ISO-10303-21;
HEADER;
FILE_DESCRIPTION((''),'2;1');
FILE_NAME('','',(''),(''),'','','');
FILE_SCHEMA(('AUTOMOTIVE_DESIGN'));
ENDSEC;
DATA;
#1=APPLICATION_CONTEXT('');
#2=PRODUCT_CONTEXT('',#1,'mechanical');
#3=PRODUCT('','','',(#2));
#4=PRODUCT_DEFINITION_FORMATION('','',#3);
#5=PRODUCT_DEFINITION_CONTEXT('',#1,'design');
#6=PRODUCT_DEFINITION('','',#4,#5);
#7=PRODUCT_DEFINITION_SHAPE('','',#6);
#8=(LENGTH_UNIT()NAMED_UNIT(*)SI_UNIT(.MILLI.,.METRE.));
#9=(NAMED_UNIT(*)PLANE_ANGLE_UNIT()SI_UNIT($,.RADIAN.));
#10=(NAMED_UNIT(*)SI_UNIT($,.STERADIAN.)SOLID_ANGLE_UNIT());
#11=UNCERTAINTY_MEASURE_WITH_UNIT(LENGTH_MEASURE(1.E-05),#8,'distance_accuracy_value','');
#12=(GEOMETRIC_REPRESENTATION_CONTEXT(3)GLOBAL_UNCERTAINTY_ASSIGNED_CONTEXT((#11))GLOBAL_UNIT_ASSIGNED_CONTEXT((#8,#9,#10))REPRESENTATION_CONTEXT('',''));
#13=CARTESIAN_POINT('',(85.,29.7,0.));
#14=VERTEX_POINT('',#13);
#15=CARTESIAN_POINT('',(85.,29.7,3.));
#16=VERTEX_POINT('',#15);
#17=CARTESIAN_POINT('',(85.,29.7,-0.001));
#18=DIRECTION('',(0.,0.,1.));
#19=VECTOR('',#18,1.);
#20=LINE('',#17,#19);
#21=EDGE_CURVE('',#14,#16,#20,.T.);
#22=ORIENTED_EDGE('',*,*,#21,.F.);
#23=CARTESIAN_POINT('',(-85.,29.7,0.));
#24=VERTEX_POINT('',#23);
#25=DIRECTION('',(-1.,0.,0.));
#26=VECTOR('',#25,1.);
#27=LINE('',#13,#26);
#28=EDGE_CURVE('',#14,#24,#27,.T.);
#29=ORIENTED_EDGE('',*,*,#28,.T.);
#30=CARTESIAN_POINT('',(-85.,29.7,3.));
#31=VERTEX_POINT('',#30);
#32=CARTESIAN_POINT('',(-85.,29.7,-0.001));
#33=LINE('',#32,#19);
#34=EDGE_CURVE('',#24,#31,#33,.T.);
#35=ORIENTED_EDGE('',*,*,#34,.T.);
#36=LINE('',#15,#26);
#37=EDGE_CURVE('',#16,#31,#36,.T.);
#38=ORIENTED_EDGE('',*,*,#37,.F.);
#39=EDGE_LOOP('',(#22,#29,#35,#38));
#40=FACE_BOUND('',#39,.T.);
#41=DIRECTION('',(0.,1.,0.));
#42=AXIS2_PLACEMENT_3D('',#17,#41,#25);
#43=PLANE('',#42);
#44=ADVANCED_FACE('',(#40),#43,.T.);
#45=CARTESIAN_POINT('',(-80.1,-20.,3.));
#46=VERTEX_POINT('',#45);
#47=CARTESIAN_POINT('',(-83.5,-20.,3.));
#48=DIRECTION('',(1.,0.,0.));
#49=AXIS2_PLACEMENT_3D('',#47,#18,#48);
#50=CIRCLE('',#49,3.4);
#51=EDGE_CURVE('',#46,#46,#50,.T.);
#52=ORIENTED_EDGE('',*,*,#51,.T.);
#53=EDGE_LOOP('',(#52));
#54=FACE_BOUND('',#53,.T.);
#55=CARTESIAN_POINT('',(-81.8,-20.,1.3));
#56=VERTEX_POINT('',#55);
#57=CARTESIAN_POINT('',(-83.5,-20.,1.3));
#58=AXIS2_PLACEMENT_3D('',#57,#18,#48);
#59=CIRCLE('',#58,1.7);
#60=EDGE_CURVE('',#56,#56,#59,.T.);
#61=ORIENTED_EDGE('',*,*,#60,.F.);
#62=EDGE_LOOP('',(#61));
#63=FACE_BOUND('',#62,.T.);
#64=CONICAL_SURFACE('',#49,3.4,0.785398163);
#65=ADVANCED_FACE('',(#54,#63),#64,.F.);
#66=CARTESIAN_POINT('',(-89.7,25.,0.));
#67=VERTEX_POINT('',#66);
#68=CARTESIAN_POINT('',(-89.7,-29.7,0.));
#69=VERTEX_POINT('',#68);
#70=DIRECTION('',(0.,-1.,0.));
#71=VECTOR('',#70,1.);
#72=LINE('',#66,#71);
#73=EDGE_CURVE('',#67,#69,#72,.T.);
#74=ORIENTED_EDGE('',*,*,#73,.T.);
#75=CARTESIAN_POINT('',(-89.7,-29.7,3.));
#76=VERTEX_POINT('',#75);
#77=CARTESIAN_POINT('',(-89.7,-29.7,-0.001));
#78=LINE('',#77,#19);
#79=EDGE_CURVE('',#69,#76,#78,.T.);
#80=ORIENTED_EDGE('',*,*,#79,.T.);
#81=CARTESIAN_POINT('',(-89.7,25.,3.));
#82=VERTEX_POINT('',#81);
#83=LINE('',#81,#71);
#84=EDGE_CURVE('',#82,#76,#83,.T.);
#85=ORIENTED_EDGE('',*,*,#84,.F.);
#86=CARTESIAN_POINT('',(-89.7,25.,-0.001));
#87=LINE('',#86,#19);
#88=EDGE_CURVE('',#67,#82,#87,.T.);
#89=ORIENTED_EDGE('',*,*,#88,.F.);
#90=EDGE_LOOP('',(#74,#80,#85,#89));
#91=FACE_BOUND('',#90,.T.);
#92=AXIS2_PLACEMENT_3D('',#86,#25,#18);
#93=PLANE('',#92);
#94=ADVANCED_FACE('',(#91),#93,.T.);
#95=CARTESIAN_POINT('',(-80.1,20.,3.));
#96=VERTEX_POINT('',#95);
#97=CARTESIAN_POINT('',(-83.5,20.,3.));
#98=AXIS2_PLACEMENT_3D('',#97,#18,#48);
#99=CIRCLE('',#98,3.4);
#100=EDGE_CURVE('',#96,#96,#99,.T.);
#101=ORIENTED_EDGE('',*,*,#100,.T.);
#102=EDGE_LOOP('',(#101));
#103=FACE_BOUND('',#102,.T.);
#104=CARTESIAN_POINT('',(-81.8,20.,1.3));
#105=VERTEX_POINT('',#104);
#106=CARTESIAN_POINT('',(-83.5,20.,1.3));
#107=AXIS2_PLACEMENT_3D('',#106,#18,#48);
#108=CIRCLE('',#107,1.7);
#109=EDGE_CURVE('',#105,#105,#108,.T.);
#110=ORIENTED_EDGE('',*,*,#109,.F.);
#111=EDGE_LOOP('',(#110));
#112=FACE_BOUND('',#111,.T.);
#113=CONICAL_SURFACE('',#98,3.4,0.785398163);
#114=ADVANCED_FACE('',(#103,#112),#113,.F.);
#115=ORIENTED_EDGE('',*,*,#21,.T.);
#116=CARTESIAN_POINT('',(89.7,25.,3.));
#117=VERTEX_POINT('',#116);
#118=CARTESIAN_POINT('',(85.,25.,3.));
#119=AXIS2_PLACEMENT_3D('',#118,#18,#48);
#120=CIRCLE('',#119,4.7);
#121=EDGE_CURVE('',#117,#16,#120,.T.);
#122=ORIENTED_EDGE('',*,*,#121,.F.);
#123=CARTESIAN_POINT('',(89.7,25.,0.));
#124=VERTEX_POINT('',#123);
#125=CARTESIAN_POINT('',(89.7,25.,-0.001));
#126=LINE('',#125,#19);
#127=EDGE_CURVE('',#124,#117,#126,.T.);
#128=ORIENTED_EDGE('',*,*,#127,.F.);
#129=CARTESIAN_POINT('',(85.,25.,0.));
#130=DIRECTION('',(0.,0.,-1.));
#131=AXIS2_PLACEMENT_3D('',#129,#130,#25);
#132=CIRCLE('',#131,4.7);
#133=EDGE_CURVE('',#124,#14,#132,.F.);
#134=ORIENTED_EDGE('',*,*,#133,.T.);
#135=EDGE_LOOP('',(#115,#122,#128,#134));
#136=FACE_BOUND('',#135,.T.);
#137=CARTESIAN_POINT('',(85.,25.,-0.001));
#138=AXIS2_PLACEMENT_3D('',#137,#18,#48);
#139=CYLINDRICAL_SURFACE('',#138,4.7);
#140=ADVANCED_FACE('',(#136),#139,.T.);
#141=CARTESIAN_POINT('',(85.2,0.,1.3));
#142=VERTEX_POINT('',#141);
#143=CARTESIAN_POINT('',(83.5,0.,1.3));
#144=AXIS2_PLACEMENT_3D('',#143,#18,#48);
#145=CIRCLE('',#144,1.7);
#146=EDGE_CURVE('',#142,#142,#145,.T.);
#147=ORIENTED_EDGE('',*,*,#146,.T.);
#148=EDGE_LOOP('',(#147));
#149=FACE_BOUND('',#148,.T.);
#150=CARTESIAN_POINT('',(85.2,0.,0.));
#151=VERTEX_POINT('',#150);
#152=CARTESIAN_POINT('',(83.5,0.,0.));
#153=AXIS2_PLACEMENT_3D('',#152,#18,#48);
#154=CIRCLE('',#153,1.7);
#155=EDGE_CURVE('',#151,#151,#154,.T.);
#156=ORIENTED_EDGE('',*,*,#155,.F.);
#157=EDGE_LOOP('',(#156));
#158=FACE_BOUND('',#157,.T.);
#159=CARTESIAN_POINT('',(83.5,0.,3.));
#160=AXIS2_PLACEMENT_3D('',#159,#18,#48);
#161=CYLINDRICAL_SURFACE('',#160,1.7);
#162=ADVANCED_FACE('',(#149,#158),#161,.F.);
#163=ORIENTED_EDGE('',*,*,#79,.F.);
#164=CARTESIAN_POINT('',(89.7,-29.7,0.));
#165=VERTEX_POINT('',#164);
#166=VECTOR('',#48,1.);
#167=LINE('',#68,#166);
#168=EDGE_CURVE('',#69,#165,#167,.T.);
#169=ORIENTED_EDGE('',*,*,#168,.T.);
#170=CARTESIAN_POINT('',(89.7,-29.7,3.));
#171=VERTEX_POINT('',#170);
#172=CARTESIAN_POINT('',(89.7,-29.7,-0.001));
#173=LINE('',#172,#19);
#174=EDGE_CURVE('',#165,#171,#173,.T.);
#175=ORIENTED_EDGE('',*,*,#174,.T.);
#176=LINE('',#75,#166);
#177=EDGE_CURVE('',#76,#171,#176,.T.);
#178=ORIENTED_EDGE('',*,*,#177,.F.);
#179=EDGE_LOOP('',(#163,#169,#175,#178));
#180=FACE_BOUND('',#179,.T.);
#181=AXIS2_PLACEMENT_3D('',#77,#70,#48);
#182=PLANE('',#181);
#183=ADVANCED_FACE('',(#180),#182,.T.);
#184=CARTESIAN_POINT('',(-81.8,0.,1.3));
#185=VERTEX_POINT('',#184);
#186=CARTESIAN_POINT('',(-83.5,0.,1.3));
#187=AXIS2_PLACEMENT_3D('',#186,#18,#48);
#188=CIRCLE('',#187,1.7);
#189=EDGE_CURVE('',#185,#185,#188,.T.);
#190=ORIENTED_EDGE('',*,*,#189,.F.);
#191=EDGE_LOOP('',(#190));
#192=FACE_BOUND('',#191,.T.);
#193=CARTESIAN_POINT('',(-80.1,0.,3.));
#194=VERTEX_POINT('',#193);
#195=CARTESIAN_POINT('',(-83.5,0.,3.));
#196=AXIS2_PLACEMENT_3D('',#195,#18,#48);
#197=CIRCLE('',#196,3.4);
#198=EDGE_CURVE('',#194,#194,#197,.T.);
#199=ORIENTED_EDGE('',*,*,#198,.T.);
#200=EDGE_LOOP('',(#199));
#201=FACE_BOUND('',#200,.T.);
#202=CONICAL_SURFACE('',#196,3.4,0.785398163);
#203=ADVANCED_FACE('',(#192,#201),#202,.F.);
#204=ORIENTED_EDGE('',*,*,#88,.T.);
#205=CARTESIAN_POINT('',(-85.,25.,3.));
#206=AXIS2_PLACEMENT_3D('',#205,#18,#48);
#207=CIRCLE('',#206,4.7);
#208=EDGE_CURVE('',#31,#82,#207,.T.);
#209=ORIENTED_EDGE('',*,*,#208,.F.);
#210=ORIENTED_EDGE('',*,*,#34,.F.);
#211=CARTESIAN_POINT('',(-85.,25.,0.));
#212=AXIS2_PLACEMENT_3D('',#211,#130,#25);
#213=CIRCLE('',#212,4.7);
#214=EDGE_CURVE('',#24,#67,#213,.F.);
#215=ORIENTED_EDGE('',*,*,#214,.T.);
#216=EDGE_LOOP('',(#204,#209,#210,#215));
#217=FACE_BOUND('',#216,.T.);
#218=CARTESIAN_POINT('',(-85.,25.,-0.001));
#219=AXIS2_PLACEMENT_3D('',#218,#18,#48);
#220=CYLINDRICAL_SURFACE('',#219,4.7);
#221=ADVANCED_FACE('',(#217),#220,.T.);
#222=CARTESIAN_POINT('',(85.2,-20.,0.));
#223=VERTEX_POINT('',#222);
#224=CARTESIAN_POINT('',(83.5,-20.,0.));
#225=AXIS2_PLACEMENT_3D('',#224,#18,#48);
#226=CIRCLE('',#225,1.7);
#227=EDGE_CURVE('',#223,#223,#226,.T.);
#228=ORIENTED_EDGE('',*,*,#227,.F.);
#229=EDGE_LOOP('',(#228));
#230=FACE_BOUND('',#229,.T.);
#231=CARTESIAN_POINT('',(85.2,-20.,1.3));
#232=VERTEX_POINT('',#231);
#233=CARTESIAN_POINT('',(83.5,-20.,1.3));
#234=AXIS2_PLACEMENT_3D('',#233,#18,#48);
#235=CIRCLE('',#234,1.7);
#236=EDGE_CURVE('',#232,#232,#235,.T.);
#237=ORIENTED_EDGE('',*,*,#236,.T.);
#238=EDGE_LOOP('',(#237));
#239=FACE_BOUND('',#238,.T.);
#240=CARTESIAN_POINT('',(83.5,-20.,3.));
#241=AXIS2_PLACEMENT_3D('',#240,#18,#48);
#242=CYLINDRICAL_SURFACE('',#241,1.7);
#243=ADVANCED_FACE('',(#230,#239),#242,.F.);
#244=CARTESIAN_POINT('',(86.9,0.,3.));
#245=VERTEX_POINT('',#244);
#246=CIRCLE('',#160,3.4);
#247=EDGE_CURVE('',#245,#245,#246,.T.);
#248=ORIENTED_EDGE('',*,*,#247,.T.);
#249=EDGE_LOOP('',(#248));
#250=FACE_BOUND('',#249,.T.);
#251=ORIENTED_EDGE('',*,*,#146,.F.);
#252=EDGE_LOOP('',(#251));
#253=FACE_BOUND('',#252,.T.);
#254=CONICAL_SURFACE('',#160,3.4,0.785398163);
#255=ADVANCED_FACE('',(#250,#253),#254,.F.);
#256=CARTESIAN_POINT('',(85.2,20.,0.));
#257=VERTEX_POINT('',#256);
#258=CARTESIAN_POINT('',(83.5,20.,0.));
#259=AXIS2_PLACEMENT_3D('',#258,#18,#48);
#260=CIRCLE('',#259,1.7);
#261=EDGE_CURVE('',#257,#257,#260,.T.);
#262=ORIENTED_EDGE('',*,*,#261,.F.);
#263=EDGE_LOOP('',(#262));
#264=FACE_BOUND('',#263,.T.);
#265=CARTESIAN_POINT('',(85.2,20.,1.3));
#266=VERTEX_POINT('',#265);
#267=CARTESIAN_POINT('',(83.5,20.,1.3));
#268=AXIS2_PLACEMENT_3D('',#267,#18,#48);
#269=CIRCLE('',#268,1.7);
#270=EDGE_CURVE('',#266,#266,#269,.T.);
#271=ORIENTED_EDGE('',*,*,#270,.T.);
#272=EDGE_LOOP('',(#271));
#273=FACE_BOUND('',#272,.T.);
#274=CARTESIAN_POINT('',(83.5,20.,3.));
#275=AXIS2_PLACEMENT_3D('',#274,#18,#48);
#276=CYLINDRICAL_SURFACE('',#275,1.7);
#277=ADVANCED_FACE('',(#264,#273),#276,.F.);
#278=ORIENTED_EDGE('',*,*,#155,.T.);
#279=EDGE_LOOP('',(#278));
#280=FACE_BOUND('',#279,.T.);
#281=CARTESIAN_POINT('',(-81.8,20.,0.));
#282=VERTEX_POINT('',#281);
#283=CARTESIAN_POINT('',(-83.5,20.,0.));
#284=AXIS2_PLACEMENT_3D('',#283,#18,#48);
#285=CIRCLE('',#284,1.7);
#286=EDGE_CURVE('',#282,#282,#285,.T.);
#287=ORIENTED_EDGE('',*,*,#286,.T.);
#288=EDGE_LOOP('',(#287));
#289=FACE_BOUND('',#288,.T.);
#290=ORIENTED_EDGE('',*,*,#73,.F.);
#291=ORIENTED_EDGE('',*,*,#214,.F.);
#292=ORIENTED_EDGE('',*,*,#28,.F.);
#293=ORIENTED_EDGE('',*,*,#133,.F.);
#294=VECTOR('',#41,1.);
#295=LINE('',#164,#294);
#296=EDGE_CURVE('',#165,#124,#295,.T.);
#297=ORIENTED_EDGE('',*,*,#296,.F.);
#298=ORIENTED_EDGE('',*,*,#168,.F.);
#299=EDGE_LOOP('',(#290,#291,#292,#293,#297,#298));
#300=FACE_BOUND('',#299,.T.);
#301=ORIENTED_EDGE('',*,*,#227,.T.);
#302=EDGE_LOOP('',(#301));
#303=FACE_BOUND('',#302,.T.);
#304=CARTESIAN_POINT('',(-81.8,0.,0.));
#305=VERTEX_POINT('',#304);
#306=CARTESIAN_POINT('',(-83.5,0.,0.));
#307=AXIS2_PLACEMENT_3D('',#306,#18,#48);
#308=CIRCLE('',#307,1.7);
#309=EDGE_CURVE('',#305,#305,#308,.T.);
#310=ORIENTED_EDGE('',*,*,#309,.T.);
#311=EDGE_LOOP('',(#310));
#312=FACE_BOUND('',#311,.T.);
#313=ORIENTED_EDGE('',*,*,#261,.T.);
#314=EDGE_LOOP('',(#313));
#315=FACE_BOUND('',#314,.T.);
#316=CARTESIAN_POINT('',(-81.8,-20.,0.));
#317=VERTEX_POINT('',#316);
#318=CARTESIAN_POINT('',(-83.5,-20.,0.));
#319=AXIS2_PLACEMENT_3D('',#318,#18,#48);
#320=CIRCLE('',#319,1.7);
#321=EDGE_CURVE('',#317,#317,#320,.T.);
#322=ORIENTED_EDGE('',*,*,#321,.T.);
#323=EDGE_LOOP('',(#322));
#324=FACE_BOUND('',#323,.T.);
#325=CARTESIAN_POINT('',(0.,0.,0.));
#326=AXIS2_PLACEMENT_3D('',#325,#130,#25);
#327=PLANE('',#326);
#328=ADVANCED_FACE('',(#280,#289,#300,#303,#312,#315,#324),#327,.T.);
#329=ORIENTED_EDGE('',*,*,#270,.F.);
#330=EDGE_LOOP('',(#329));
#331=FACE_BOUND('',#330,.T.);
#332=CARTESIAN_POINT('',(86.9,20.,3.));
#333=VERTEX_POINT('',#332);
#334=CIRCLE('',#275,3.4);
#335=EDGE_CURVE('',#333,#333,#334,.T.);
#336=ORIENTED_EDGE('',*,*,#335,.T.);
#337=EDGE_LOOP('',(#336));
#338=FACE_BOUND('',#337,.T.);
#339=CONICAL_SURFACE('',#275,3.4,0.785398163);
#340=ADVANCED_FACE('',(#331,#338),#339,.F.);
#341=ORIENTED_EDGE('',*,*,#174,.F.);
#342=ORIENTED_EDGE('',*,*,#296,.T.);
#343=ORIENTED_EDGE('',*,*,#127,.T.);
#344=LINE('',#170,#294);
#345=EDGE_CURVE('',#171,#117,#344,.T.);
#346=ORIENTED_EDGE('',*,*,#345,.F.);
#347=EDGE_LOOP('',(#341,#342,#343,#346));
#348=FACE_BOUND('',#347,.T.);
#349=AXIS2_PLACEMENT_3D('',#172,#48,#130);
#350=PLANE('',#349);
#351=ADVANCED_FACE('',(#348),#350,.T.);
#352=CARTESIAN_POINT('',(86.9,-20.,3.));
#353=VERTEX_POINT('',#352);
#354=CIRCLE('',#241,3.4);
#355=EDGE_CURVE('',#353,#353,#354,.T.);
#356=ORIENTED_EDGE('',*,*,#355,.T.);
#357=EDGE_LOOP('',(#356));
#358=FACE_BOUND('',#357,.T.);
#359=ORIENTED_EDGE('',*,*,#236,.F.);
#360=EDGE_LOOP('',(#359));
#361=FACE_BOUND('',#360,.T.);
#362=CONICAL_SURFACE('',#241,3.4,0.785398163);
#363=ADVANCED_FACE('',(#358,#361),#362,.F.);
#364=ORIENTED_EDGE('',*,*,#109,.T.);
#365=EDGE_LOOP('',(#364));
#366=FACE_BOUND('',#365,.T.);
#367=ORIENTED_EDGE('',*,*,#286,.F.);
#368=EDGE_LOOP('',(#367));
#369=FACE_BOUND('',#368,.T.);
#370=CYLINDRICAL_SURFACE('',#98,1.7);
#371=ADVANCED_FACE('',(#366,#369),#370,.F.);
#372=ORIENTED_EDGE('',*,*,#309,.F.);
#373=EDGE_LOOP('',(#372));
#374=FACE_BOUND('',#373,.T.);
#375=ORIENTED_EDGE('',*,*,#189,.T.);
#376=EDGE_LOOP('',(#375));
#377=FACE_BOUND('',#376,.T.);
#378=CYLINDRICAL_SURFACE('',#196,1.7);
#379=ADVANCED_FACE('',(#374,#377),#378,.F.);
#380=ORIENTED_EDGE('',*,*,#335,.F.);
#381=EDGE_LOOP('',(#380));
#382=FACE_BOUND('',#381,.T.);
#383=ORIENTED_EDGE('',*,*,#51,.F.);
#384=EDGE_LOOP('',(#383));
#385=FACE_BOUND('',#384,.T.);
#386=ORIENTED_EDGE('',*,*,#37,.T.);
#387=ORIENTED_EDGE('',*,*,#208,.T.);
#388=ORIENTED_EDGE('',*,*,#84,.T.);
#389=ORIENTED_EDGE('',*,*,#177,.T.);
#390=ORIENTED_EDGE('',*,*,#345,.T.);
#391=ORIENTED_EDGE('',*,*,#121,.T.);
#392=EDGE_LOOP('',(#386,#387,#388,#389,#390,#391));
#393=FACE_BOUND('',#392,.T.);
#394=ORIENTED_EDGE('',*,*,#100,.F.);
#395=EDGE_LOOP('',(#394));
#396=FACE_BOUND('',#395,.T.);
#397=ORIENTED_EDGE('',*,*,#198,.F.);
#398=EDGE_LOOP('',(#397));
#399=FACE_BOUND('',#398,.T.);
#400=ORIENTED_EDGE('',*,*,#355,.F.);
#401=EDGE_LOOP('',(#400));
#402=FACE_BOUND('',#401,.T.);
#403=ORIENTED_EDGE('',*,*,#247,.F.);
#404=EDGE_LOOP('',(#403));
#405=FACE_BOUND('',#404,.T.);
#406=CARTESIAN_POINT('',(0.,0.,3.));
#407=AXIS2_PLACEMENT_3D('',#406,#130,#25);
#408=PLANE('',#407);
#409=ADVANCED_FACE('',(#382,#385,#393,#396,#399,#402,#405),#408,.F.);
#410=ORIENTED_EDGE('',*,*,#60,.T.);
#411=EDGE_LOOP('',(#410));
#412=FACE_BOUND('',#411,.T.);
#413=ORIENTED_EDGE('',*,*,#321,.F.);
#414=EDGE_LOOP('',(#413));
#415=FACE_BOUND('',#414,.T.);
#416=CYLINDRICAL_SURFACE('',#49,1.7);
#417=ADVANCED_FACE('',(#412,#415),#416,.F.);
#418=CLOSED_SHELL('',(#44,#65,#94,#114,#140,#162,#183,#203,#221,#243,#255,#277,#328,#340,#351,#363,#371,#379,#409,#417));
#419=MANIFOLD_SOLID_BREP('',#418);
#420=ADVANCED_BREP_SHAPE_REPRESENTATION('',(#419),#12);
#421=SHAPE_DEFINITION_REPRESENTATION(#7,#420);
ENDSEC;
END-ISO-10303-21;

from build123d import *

# Parameters (mm, degrees)
SKETCH1_W                                      = 180
SKETCH1_H                                      = 60
BOSS_EXTRUDE1_DEPTH                            = 3
FILLET1_R                                      = 5
CSK_FOR_M3_FLAT_HEAD_MACHINE_SCREW1_AT_2_COUNT = 2
CSK_FOR_M3_FLAT_HEAD_MACHINE_SCREW1_AT_2_PITCH = 20
CSK_FOR_M3_FLAT_HEAD_MACHINE_SCREW1_AT_3_COUNT = 2
CSK_FOR_M3_FLAT_HEAD_MACHINE_SCREW1_AT_3_PITCH = 40
CSK_FOR_M3_FLAT_HEAD_MACHINE_SCREW1_AT_4_COUNT = 2
CSK_FOR_M3_FLAT_HEAD_MACHINE_SCREW1_AT_4_PITCH = 167
CSK_FOR_M3_FLAT_HEAD_MACHINE_SCREW1_AT_5_COUNT = 2
CSK_FOR_M3_FLAT_HEAD_MACHINE_SCREW1_AT_5_PITCH = 168.193341129
CSK_FOR_M3_FLAT_HEAD_MACHINE_SCREW1_AT_6_COUNT = 2
CSK_FOR_M3_FLAT_HEAD_MACHINE_SCREW1_AT_6_PITCH = 171.723615149
CUT_EXTRUDE1_REACH                             = 96.916


with BuildPart() as part:
    # Sketch1 → Boss-Extrude1 (new body)
    with BuildSketch(Plane.XY):
        Rectangle(SKETCH1_W, SKETCH1_H)
    extrude(amount=BOSS_EXTRUDE1_DEPTH)

    # Fillet1
    fillet1_edges = [part.edges().sort_by_distance(p)[0] for p in [
        (-90, 30, 1.5),
        (90, 30, 1.5),
    ]]
    fillet(fillet1_edges, radius=FILLET1_R)

    # Sketch3 → CSK for M3 Flat Head Machine Screw1 (revolve, cut)
    with BuildSketch(Plane(origin=(-83.5, 20, 3), x_dir=(0, -1, 0), z_dir=(1, 0, 0))):
        Polygon((0, 0), (0, 3), (1.7, 3), (1.7, 1.7), (3.4, 0), align=None)
    csk_for_m3_flat_head_machine_screw1 = revolve(axis=Axis((-83.5, 20, 9.35), (0, 0, -1)), mode=Mode.SUBTRACT)

    # CSK for M3 Flat Head Machine Screw1 at 2: CSK for M3 Flat Head Machine Screw1 ×2
    with Locations(*[(0, -i * CSK_FOR_M3_FLAT_HEAD_MACHINE_SCREW1_AT_2_PITCH, 0) for i in range(1, CSK_FOR_M3_FLAT_HEAD_MACHINE_SCREW1_AT_2_COUNT)]):
        add(csk_for_m3_flat_head_machine_screw1, mode=Mode.SUBTRACT)

    # CSK for M3 Flat Head Machine Screw1 at 3: CSK for M3 Flat Head Machine Screw1 ×2
    with Locations(*[(0, -i * CSK_FOR_M3_FLAT_HEAD_MACHINE_SCREW1_AT_3_PITCH, 0) for i in range(1, CSK_FOR_M3_FLAT_HEAD_MACHINE_SCREW1_AT_3_COUNT)]):
        add(csk_for_m3_flat_head_machine_screw1, mode=Mode.SUBTRACT)

    # CSK for M3 Flat Head Machine Screw1 at 4: CSK for M3 Flat Head Machine Screw1 ×2
    with Locations(*[(i * CSK_FOR_M3_FLAT_HEAD_MACHINE_SCREW1_AT_4_PITCH, 0, 0) for i in range(1, CSK_FOR_M3_FLAT_HEAD_MACHINE_SCREW1_AT_4_COUNT)]):
        add(csk_for_m3_flat_head_machine_screw1, mode=Mode.SUBTRACT)

    # CSK for M3 Flat Head Machine Screw1 at 5: CSK for M3 Flat Head Machine Screw1 ×2
    with Locations(*[Vector(0.9929049442707555, -0.11891077176895277, 0) * (i * CSK_FOR_M3_FLAT_HEAD_MACHINE_SCREW1_AT_5_PITCH) for i in range(1, CSK_FOR_M3_FLAT_HEAD_MACHINE_SCREW1_AT_5_COUNT)]):
        add(csk_for_m3_flat_head_machine_screw1, mode=Mode.SUBTRACT)

    # CSK for M3 Flat Head Machine Screw1 at 6: CSK for M3 Flat Head Machine Screw1 ×2
    with Locations(*[Vector(0.9724929204096406, -0.2329324360262613, 0) * (i * CSK_FOR_M3_FLAT_HEAD_MACHINE_SCREW1_AT_6_PITCH) for i in range(1, CSK_FOR_M3_FLAT_HEAD_MACHINE_SCREW1_AT_6_COUNT)]):
        add(csk_for_m3_flat_head_machine_screw1, mode=Mode.SUBTRACT)

    # Sketch4 → Cut-Extrude1 (cut, up to next)
    with BuildSketch(Plane.XY.offset(3), mode=Mode.PRIVATE) as cut_extrude1_sk1:
        with BuildLine():
            Line((85, 30), (-85, 30))
            ThreePointArc((-85, 30), (-88.535533906, 28.535533906), (-90, 25))
            Line((-90, 25), (-90, -30))
            Line((-90, -30), (90, -30))
            Line((90, -30), (90, 25))
            ThreePointArc((90, 25), (88.535533906, 28.535533906), (85, 30))
        make_face()
        with BuildLine():
            Line((85, 29.7), (-85, 29.7))
            ThreePointArc((-85, 29.7), (-88.323401872, 28.323401872), (-89.7, 25))
            Line((-89.7, 25), (-89.7, -29.7))
            Line((-89.7, -29.7), (89.7, -29.7))
            Line((89.7, -29.7), (89.7, 25))
            ThreePointArc((89.7, 25), (88.323401872, 28.323401872), (85, 29.7))
        make_face(mode=Mode.SUBTRACT)
    cut_extrude1_tool1 = extrude(cut_extrude1_sk1.sketch, amount=-CUT_EXTRUDE1_REACH, mode=Mode.PRIVATE) & part.part
    add(cut_extrude1_tool1.solids().sort_by_distance((0, 29.810263, 3))[0], mode=Mode.SUBTRACT)


solid = part.part
